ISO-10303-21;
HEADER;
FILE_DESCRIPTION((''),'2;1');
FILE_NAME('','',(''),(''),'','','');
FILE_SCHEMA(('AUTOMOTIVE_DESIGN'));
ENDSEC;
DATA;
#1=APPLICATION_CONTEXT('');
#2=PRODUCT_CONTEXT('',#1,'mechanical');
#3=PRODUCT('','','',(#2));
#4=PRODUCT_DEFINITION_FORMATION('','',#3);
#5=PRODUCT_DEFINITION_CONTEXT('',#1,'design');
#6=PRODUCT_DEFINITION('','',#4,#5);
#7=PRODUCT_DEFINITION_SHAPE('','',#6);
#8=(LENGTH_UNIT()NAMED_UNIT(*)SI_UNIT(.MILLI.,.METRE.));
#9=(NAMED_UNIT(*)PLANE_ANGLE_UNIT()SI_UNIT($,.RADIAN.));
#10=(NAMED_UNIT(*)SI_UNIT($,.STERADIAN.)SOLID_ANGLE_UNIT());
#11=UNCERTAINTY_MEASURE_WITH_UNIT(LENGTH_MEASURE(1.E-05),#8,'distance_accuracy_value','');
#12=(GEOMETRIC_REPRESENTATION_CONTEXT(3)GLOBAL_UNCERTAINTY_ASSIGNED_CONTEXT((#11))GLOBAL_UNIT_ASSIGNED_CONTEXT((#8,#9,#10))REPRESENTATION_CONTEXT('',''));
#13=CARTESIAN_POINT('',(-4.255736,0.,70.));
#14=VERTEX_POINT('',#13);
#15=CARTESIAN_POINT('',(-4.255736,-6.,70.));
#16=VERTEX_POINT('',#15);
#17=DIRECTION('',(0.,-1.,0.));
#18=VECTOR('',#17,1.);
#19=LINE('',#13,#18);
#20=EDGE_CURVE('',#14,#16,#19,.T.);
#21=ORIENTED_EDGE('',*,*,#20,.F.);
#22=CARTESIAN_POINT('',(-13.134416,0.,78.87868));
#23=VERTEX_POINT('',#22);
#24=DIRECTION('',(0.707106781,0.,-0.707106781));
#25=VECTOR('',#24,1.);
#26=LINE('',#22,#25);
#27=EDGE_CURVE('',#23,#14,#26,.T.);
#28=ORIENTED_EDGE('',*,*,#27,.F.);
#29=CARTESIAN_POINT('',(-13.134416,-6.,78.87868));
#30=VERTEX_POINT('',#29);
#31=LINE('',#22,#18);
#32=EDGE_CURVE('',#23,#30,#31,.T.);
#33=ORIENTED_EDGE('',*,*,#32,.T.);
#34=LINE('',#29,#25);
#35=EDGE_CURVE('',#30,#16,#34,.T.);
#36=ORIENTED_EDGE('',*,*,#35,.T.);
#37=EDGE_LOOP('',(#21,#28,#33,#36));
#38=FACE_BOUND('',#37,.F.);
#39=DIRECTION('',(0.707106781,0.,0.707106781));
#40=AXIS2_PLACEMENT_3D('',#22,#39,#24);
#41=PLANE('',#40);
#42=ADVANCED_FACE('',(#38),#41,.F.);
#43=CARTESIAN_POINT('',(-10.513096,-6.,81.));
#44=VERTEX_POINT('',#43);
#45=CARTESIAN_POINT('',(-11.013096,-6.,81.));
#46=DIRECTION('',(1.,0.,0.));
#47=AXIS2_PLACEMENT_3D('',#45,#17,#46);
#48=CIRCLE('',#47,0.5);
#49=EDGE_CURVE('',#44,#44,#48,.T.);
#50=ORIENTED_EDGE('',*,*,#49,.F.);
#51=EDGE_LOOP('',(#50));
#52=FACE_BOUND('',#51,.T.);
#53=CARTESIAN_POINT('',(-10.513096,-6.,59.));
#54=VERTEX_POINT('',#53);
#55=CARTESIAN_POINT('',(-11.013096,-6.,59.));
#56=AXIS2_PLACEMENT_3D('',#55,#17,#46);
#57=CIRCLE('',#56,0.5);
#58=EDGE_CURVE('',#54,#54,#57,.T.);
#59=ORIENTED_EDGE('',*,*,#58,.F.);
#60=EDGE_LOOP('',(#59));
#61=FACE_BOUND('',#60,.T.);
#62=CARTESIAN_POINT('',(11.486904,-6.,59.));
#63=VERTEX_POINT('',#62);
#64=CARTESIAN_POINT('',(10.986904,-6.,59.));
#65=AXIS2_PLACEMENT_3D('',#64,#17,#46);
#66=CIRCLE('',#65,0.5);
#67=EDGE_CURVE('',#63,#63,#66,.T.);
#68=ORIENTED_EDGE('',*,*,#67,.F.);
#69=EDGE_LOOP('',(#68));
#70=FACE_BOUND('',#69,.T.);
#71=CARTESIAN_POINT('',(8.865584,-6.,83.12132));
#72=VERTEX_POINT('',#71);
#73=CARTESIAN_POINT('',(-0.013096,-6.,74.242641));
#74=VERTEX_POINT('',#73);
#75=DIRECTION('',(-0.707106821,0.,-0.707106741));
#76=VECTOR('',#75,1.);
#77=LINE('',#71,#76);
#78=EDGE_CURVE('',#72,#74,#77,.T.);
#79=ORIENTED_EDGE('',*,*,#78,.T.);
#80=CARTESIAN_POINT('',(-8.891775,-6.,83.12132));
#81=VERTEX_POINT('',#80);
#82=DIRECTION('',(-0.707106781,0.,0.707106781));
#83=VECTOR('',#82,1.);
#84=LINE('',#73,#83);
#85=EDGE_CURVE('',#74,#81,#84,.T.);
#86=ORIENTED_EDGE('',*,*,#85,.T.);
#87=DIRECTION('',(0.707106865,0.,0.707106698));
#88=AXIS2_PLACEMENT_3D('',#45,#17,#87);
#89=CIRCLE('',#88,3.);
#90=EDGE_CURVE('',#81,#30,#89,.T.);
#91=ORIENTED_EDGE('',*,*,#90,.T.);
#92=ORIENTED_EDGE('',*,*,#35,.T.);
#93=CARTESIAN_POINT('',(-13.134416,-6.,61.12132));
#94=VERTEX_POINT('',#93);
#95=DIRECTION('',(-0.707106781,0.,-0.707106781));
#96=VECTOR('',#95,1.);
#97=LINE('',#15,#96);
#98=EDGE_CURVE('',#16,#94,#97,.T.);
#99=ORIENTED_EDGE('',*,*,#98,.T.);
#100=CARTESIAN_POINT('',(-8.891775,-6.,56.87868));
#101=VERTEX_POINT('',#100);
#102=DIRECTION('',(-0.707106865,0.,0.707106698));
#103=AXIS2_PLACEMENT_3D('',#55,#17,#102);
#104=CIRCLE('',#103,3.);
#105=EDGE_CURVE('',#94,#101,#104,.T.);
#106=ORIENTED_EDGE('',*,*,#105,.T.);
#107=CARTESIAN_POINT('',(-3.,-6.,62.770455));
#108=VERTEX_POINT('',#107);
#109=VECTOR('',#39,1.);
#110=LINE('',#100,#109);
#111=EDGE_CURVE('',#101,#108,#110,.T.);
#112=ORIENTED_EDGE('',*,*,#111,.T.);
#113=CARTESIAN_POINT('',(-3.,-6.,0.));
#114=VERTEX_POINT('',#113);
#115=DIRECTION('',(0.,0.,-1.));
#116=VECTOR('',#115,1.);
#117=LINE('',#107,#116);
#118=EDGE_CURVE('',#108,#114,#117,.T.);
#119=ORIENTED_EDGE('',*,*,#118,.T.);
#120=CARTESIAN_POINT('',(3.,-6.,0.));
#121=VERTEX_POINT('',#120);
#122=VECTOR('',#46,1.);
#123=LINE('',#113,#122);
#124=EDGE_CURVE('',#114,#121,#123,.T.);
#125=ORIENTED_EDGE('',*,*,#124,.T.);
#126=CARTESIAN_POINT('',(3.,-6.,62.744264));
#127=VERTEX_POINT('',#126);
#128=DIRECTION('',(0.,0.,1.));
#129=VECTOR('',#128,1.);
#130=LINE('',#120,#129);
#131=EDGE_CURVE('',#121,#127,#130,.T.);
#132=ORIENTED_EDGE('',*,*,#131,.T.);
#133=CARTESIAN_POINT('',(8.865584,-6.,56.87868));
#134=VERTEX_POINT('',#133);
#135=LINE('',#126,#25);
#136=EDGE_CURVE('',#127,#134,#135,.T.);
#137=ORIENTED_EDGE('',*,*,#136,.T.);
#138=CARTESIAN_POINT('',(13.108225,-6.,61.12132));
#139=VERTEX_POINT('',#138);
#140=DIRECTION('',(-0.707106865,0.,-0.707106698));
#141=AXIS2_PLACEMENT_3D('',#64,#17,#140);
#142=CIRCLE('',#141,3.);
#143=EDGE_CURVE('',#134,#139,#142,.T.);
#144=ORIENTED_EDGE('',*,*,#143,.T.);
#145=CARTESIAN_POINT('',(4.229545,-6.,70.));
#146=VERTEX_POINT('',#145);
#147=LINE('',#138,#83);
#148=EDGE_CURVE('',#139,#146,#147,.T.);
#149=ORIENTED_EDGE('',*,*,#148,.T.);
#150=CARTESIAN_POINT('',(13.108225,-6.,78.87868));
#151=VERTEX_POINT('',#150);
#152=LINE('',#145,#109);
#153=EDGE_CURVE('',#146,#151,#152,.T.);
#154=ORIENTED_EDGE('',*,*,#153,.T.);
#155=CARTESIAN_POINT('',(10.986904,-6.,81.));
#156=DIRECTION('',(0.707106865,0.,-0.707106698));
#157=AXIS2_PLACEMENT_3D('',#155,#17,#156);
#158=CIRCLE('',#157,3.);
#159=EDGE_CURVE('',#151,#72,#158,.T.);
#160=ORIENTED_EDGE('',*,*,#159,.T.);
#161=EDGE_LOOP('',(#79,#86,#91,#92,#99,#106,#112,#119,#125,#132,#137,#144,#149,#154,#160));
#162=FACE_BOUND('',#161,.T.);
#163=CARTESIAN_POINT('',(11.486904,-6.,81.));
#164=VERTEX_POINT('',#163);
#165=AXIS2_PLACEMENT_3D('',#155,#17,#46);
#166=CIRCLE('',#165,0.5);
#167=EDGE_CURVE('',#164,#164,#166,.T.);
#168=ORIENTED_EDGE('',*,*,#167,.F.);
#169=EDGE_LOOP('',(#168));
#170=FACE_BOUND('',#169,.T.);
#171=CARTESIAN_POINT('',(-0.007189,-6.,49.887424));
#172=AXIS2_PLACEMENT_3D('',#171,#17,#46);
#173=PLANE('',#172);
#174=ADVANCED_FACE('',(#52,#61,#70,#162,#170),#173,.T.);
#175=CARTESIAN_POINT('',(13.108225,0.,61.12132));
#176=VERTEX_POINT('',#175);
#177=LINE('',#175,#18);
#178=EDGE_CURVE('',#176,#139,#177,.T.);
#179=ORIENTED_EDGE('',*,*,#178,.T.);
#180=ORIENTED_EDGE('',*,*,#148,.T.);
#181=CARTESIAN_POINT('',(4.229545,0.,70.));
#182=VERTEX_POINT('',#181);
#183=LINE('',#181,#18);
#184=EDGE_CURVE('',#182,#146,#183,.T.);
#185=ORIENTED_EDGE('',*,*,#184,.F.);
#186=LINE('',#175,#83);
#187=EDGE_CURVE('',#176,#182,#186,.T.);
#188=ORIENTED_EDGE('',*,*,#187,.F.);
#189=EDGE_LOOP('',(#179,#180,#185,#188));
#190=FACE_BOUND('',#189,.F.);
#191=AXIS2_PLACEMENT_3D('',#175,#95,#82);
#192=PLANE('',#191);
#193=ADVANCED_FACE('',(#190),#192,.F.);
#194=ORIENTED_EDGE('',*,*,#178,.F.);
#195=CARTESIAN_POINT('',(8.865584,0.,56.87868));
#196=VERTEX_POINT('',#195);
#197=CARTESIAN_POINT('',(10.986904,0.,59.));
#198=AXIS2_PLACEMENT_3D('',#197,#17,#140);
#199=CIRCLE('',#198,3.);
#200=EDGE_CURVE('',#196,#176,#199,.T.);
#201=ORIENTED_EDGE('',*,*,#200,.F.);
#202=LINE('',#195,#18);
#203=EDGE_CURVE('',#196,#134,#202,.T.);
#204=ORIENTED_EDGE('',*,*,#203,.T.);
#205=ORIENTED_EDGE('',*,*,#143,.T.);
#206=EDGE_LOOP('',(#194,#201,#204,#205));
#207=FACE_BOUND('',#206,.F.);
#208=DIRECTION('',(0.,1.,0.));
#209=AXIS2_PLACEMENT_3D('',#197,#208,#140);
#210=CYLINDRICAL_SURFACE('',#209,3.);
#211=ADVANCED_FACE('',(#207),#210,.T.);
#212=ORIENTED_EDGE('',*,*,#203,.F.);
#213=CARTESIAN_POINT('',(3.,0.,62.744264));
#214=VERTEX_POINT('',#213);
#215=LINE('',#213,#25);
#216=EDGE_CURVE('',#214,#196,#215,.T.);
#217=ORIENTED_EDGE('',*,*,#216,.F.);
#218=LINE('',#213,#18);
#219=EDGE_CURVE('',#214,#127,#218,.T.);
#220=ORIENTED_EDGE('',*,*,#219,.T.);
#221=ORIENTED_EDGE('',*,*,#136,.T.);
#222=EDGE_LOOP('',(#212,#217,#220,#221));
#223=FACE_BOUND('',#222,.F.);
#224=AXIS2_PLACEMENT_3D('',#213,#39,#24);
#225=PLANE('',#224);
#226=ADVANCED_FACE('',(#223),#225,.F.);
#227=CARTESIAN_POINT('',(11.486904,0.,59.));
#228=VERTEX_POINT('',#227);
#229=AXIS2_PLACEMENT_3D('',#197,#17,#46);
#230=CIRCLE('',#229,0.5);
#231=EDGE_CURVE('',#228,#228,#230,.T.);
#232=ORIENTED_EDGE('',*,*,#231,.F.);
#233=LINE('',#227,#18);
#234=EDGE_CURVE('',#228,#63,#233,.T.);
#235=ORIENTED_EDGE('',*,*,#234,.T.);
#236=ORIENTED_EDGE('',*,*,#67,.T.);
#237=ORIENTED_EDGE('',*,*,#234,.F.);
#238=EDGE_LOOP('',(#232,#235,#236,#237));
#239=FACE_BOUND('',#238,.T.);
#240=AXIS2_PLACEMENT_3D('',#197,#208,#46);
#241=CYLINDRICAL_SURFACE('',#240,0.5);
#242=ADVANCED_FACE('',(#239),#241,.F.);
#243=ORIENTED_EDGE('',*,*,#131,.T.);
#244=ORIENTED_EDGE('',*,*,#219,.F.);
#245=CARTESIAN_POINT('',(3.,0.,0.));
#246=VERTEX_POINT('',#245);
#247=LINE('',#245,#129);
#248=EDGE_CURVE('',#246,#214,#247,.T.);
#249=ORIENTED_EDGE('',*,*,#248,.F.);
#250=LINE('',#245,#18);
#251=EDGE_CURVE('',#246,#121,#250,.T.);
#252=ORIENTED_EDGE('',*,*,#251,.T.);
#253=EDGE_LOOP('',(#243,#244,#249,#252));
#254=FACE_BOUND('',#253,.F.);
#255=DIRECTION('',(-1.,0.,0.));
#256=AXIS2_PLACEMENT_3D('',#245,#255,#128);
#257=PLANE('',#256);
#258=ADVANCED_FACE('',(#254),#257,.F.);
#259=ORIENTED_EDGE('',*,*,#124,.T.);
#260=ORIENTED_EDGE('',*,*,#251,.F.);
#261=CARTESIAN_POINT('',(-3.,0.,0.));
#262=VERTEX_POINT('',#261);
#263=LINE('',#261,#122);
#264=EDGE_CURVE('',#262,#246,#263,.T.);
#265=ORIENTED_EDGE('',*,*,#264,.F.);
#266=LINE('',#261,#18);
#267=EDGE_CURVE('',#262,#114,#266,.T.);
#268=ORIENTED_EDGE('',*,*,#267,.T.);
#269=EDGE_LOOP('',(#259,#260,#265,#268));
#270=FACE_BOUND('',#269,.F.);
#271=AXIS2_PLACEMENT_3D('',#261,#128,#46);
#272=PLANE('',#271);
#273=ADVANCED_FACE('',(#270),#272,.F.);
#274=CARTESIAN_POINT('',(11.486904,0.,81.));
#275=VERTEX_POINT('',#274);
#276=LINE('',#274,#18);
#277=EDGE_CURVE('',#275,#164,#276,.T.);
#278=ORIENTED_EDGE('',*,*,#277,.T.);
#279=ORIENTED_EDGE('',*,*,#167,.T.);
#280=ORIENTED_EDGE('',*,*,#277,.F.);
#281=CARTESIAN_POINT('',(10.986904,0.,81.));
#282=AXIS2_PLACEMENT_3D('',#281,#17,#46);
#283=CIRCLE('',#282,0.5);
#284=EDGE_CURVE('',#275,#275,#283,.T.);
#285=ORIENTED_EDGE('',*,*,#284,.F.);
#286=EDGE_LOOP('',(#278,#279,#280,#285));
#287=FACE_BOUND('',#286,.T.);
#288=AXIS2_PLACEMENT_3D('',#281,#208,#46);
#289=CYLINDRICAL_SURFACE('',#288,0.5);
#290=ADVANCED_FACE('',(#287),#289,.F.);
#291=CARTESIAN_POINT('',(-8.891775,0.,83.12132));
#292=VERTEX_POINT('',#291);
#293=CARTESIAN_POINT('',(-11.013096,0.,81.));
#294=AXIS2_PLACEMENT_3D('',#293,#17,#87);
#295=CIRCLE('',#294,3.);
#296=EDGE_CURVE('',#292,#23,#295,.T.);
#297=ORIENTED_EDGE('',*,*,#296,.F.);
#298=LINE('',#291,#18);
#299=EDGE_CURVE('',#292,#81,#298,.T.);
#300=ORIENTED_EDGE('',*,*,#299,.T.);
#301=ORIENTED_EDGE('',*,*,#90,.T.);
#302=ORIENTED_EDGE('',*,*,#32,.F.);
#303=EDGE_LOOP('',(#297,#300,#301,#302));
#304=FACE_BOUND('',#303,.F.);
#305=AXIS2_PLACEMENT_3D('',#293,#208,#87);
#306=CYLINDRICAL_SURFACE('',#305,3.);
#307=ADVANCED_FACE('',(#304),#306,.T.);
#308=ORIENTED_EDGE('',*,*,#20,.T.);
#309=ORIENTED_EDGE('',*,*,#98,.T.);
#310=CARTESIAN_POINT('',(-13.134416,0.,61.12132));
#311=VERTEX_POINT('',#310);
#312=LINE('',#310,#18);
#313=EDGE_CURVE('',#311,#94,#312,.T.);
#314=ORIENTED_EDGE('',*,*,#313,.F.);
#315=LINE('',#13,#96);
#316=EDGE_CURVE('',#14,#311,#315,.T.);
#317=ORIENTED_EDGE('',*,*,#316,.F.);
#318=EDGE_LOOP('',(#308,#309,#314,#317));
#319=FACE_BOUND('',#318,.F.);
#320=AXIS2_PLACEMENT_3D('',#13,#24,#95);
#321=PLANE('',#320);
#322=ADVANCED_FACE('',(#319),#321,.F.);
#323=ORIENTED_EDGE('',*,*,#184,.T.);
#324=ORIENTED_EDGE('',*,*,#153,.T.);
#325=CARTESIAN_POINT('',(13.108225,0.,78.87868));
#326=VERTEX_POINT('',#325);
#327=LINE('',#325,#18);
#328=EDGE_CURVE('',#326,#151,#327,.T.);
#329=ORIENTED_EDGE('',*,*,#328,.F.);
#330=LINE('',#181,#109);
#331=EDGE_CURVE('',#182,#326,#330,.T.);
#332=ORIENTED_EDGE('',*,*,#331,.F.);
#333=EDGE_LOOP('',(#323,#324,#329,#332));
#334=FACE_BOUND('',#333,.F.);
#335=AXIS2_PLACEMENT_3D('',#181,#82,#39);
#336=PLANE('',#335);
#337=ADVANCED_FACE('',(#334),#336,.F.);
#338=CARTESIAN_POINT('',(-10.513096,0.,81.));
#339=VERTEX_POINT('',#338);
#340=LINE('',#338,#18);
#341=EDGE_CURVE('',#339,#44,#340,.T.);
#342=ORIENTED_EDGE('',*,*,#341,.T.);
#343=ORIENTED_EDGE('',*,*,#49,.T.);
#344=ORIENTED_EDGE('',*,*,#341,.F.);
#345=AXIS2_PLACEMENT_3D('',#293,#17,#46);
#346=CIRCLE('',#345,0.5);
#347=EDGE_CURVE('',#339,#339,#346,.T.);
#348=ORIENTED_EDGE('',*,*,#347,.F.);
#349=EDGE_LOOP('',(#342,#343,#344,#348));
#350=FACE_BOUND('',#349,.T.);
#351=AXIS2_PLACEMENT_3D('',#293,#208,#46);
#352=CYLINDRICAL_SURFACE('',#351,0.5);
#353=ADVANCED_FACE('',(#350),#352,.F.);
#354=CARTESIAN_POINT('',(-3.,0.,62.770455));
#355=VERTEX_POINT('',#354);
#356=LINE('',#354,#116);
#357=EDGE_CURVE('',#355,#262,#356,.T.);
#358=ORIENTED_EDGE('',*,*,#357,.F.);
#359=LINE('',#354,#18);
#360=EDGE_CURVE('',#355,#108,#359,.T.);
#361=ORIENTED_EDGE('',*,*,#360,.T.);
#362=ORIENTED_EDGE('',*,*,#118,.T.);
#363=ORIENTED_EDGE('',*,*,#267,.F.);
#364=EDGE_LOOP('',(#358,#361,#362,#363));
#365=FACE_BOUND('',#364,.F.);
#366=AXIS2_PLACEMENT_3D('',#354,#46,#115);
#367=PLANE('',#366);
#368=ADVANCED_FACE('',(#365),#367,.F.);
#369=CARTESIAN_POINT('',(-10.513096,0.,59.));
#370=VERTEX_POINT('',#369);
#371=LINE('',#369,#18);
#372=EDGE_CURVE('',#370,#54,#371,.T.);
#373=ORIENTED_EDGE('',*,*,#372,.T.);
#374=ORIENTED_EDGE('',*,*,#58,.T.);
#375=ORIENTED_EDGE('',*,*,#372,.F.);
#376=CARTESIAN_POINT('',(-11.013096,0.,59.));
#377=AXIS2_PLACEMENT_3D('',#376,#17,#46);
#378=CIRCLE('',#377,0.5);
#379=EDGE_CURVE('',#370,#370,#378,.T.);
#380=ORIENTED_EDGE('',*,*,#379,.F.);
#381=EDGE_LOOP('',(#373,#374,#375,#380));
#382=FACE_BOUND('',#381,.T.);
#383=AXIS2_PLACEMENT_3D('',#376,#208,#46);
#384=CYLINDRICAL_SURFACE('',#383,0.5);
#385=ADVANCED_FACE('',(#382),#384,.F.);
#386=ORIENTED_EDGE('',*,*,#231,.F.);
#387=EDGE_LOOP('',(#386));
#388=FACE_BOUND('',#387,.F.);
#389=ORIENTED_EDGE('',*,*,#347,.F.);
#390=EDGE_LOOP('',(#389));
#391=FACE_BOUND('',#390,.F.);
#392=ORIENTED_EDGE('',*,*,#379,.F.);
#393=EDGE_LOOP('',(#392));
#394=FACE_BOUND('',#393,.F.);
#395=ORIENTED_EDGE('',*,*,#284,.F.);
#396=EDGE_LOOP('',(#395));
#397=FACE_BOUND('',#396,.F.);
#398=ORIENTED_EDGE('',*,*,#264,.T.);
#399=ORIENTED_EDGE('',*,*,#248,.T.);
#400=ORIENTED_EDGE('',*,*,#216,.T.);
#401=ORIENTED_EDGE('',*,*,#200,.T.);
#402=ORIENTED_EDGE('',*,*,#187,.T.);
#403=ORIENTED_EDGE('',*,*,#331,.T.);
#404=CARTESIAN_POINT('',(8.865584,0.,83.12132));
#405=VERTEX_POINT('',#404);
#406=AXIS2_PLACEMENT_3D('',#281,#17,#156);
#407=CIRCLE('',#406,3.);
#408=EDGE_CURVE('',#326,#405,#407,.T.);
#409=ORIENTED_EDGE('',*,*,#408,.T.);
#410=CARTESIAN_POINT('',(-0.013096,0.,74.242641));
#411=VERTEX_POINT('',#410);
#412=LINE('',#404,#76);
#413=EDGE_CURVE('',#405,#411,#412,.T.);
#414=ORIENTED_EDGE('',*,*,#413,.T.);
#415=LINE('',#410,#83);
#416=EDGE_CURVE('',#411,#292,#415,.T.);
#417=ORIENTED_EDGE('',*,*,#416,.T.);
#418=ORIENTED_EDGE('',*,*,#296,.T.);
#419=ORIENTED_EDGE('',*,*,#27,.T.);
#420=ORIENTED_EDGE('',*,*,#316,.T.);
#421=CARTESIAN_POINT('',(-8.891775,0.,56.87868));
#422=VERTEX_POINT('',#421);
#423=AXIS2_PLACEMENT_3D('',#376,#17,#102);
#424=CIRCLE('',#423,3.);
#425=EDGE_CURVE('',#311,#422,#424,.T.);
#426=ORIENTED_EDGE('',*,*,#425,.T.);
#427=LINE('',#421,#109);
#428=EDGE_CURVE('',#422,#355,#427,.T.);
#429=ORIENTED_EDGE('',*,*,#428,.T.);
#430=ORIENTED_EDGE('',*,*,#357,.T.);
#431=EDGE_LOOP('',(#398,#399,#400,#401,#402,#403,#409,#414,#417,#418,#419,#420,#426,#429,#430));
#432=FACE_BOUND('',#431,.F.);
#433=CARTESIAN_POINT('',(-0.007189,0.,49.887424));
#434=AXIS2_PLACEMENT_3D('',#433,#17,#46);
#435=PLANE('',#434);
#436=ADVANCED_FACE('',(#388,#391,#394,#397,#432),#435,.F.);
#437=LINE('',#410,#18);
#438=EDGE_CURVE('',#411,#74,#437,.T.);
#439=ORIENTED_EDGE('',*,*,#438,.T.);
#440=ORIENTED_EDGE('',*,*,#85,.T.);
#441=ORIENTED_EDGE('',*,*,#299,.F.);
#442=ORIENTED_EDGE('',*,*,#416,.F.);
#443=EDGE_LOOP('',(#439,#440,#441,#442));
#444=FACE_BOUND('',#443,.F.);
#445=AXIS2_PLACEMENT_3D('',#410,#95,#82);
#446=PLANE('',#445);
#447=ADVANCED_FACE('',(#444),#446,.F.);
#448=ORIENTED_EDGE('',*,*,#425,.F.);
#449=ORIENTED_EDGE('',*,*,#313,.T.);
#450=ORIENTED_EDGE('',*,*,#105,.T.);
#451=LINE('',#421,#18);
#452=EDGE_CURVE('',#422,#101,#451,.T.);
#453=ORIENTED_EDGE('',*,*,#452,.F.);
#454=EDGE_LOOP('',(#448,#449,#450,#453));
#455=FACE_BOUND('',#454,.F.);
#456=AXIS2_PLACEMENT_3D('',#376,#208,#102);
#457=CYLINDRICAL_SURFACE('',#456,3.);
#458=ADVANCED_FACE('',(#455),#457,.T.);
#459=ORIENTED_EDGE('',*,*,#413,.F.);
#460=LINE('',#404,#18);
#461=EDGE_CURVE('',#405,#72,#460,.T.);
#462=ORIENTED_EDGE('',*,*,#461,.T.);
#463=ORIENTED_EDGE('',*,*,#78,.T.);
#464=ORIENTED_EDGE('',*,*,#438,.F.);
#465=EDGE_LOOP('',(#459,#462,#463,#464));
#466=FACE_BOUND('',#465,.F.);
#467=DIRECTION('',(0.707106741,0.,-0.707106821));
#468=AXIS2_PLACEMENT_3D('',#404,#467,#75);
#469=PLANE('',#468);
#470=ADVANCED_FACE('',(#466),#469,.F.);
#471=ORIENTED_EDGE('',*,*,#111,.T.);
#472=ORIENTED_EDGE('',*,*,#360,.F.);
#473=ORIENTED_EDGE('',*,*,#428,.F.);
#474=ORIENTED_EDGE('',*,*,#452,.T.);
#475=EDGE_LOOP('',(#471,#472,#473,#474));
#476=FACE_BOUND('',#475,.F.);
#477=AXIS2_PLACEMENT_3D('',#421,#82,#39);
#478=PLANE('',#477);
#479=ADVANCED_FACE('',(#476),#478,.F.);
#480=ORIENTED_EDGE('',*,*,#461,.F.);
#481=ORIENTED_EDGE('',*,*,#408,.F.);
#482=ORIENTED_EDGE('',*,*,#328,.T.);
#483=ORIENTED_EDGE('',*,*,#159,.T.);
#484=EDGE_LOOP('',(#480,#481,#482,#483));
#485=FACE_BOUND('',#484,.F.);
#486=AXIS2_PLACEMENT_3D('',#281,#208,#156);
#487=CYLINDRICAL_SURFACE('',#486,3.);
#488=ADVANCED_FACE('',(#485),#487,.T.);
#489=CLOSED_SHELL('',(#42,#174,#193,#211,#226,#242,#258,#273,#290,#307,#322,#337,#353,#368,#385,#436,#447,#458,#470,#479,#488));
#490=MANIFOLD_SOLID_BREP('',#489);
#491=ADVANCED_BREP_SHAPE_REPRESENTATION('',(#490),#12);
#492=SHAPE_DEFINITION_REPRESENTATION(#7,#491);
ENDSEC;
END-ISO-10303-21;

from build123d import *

# Parameters (mm, degrees)
F0_R     = 0.5
F1_DEPTH = 6


with BuildPart() as f1:
    # F0 (on Front) → F1 (new body)
    with BuildSketch(Plane.XZ):
        with BuildLine():
            Line((-3, 62.770455), (-3, 0))
            Line((-3, 0), (3, 0))
            Line((3, 0), (3, 62.744264))
            Line((3, 62.744264), (8.865584, 56.87868))
            ThreePointArc((8.865584, 56.87868), (13.108225, 56.87868), (13.108225, 61.12132))
            Line((13.108225, 61.12132), (4.229545, 70))
            Line((4.229545, 70), (13.108225, 78.87868))
            ThreePointArc((13.108225, 78.87868), (13.108225, 83.12132), (8.865584, 83.12132))
            Line((8.865584, 83.12132), (-0.013096, 74.242641))
            Line((-0.013096, 74.242641), (-8.891775, 83.12132))
            ThreePointArc((-8.891775, 83.12132), (-13.134416, 83.12132), (-13.134416, 78.87868))
            Line((-13.134416, 78.87868), (-4.255736, 70))
            Line((-4.255736, 70), (-13.134416, 61.12132))
            ThreePointArc((-13.134416, 61.12132), (-13.134416, 56.87868), (-8.891775, 56.87868))
            Line((-8.891775, 56.87868), (-3, 62.770455))
        make_face()
        with Locations((-11.013096, 59)):
            Circle(F0_R, mode=Mode.SUBTRACT)
        with Locations((-11.013096, 81)):
            Circle(F0_R, mode=Mode.SUBTRACT)
        with Locations((10.986904, 59)):
            Circle(F0_R, mode=Mode.SUBTRACT)
        with Locations((10.986904, 81)):
            Circle(F0_R, mode=Mode.SUBTRACT)
    extrude(amount=F1_DEPTH)


solid = f1.part
